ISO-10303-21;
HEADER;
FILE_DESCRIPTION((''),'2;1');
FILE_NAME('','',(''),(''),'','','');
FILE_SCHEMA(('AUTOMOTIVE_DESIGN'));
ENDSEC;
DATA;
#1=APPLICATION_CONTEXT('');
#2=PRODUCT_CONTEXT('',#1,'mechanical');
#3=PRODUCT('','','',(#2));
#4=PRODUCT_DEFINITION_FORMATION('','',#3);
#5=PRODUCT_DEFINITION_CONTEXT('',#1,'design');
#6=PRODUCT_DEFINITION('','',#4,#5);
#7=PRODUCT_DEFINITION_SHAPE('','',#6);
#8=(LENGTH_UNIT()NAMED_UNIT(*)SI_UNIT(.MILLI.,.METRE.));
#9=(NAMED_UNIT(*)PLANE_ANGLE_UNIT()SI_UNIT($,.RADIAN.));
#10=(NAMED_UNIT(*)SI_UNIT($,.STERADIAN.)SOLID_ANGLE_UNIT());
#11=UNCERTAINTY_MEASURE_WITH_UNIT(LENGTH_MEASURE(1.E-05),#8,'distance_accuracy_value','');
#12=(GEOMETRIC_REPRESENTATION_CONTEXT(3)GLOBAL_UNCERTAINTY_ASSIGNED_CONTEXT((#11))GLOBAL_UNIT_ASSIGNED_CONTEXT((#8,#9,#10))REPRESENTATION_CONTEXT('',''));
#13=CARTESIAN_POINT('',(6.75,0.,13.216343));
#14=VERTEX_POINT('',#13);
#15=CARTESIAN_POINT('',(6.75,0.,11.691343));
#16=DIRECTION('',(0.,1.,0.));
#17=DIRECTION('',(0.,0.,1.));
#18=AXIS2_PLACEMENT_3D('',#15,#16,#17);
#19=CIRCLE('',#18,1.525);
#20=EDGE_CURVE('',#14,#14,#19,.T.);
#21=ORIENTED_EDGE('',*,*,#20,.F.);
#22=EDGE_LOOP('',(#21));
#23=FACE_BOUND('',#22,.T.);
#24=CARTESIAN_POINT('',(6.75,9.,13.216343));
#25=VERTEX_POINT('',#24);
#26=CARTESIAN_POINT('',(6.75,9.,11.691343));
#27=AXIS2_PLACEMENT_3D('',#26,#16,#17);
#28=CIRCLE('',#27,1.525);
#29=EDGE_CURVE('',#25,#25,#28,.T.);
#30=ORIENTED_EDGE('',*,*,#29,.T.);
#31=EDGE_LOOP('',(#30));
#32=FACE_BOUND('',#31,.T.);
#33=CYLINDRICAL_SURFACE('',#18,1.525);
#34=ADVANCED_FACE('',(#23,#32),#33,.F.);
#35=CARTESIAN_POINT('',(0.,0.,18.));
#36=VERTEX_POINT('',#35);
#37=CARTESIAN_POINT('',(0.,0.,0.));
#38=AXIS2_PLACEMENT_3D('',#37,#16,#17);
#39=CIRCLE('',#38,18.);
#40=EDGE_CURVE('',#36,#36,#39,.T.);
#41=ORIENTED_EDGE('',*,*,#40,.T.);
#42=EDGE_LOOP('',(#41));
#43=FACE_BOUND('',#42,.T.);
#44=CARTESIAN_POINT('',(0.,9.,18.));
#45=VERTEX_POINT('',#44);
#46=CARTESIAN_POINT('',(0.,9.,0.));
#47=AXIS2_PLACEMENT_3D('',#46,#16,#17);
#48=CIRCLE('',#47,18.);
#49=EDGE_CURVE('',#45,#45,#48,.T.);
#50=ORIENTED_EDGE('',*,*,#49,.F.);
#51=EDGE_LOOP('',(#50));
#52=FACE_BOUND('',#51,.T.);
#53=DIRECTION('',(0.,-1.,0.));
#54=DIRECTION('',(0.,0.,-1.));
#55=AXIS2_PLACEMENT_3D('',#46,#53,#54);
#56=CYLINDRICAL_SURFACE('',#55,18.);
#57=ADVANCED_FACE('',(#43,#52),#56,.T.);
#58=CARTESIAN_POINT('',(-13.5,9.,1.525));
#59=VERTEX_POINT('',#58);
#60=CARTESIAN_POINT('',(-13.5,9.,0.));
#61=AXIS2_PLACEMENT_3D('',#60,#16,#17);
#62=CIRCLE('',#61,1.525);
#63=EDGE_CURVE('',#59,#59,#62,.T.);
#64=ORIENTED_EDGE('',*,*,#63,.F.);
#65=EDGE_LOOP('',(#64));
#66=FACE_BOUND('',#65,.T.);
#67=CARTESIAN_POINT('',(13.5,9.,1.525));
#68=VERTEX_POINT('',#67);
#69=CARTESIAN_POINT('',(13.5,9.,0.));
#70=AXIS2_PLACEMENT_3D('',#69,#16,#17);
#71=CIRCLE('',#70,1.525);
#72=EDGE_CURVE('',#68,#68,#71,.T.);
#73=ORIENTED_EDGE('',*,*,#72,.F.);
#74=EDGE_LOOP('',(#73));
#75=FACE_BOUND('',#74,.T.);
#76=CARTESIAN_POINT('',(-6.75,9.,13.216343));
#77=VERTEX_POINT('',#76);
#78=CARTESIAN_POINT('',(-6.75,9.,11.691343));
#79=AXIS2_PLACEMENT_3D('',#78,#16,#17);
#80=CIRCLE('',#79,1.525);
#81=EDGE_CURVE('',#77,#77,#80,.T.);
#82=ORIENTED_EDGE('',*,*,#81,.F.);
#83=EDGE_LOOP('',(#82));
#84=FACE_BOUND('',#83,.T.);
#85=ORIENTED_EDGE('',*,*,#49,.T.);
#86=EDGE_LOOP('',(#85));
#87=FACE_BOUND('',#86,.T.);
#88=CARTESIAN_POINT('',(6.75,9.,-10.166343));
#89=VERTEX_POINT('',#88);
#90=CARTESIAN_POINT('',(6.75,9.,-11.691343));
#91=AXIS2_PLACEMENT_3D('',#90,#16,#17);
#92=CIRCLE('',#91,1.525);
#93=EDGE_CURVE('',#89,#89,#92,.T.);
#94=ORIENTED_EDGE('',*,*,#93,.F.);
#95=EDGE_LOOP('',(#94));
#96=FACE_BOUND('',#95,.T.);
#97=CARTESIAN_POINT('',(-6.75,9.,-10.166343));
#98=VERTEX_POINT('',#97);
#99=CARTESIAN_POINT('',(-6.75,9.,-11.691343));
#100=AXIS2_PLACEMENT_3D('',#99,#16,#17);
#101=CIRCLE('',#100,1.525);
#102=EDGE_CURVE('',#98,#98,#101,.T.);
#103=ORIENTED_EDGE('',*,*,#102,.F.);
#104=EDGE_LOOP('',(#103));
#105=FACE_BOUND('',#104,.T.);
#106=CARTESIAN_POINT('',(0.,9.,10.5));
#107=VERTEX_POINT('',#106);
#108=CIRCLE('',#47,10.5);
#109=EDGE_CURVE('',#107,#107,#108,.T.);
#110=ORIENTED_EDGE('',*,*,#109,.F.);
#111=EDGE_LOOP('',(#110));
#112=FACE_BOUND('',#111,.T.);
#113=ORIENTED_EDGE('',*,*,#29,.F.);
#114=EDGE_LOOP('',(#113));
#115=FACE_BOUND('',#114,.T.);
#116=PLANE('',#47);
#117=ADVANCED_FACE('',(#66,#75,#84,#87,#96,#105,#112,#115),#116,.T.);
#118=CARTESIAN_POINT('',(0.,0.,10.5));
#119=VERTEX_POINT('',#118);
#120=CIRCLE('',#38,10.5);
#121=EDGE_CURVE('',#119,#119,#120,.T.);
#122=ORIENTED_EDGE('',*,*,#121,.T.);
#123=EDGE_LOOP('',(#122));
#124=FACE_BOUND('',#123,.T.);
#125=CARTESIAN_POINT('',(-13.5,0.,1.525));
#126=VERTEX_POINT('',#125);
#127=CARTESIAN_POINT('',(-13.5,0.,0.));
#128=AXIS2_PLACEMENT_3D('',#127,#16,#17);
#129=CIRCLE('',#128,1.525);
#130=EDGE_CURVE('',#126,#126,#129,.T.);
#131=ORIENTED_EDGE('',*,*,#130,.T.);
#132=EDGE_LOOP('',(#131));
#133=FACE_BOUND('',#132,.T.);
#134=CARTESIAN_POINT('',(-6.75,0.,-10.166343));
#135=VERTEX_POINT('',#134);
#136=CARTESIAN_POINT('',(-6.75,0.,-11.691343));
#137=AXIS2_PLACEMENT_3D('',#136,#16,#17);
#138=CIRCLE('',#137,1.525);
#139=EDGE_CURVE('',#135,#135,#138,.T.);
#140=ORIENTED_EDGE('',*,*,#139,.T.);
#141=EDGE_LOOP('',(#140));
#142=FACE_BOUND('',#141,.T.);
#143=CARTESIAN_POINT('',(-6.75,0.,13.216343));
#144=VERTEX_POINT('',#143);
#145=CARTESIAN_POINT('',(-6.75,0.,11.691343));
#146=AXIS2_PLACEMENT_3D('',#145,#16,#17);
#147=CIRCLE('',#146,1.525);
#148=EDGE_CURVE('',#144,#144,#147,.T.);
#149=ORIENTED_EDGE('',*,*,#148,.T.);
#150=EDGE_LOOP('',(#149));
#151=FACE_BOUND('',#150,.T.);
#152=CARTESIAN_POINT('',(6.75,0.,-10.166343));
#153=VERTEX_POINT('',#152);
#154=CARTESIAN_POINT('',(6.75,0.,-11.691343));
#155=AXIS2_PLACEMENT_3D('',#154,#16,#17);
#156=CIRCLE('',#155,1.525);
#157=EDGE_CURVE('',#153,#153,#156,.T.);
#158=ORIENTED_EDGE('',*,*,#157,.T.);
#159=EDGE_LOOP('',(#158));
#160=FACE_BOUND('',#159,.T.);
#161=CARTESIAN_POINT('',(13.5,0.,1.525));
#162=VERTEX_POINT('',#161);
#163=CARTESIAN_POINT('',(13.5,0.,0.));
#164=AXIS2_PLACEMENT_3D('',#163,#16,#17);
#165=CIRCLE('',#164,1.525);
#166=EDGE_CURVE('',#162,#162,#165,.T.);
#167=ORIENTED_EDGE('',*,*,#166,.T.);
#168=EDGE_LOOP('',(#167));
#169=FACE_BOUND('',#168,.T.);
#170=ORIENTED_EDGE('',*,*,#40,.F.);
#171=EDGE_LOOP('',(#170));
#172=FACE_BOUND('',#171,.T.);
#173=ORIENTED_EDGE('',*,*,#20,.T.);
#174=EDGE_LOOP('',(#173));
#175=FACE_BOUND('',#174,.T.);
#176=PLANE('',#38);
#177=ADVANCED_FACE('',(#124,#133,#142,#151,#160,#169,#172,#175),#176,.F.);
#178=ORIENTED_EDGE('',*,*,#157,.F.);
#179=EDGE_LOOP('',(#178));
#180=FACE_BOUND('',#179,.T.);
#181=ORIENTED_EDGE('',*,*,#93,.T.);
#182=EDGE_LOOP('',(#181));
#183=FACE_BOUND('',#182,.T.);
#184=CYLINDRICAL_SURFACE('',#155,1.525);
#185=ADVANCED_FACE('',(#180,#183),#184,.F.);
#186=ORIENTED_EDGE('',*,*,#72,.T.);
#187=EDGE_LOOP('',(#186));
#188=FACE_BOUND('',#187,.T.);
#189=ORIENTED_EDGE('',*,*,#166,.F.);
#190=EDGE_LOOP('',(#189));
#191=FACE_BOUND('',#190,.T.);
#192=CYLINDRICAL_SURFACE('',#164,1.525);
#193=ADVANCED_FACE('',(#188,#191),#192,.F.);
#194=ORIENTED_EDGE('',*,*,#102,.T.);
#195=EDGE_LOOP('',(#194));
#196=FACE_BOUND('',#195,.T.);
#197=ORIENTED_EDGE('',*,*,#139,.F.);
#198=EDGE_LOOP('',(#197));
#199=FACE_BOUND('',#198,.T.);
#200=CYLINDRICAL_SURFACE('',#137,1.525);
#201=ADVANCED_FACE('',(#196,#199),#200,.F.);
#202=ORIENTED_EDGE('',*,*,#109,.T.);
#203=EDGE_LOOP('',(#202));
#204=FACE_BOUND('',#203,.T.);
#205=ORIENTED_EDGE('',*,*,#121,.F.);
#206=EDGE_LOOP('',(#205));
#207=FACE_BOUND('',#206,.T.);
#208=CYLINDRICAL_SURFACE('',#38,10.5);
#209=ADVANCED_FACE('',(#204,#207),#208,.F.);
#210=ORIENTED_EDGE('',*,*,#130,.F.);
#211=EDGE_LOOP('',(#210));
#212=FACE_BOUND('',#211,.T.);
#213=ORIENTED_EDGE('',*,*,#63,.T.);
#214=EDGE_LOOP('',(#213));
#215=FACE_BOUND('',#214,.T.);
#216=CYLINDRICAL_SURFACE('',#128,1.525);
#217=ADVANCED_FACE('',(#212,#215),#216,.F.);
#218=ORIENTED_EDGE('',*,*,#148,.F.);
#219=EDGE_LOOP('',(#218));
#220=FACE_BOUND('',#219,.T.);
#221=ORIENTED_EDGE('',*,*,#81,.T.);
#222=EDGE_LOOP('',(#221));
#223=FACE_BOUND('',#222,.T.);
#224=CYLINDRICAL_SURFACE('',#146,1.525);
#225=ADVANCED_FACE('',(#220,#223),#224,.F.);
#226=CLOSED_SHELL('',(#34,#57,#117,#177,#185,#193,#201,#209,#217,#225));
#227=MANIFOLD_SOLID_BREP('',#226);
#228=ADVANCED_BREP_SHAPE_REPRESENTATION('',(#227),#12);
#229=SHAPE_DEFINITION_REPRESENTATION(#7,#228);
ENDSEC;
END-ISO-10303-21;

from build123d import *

# Parameters (mm, degrees)
SKETCH_1_R          = 18
EXTRUDE_1_DEPTH     = 9
SKETCH_2_R          = 1.525
CUT_EXTRUDE_1_DEPTH = 10
SKETCH_3_R          = 10.5
CUT_EXTRUDE_2_DEPTH = 10


with BuildPart() as part:
    # 草图1 → 凸台-拉伸1 (new body)
    with BuildSketch(Plane(origin=(0, 0, 0), x_dir=(1, 0, 0), z_dir=(0, 1, 0))):
        Circle(SKETCH_1_R)
    extrude(amount=EXTRUDE_1_DEPTH)

    # 草图2 → 切除-拉伸1 (cut, through all)
    with BuildSketch(Plane(origin=(0, 9, 0), x_dir=(1, 0, 0), z_dir=(0, 1, 0))):
        with Locations((13.5, 0)):
            Circle(SKETCH_2_R)
        with Locations((6.75, -11.691342951)):
            Circle(SKETCH_2_R)
        with Locations((-6.75, -11.691342951)):
            Circle(SKETCH_2_R)
        with Locations((-13.5, 0)):
            Circle(SKETCH_2_R)
        with Locations((-6.75, 11.691342951)):
            Circle(SKETCH_2_R)
        with Locations((6.75, 11.691342951)):
            Circle(SKETCH_2_R)
    extrude(amount=-CUT_EXTRUDE_1_DEPTH, mode=Mode.SUBTRACT)

    # 草图3 → 切除-拉伸2 (cut, through all)
    with BuildSketch(Plane(origin=(0, 9, 0), x_dir=(1, 0, 0), z_dir=(0, 1, 0))):
        Circle(SKETCH_3_R)
    extrude(amount=-CUT_EXTRUDE_2_DEPTH, mode=Mode.SUBTRACT)


solid = part.part
